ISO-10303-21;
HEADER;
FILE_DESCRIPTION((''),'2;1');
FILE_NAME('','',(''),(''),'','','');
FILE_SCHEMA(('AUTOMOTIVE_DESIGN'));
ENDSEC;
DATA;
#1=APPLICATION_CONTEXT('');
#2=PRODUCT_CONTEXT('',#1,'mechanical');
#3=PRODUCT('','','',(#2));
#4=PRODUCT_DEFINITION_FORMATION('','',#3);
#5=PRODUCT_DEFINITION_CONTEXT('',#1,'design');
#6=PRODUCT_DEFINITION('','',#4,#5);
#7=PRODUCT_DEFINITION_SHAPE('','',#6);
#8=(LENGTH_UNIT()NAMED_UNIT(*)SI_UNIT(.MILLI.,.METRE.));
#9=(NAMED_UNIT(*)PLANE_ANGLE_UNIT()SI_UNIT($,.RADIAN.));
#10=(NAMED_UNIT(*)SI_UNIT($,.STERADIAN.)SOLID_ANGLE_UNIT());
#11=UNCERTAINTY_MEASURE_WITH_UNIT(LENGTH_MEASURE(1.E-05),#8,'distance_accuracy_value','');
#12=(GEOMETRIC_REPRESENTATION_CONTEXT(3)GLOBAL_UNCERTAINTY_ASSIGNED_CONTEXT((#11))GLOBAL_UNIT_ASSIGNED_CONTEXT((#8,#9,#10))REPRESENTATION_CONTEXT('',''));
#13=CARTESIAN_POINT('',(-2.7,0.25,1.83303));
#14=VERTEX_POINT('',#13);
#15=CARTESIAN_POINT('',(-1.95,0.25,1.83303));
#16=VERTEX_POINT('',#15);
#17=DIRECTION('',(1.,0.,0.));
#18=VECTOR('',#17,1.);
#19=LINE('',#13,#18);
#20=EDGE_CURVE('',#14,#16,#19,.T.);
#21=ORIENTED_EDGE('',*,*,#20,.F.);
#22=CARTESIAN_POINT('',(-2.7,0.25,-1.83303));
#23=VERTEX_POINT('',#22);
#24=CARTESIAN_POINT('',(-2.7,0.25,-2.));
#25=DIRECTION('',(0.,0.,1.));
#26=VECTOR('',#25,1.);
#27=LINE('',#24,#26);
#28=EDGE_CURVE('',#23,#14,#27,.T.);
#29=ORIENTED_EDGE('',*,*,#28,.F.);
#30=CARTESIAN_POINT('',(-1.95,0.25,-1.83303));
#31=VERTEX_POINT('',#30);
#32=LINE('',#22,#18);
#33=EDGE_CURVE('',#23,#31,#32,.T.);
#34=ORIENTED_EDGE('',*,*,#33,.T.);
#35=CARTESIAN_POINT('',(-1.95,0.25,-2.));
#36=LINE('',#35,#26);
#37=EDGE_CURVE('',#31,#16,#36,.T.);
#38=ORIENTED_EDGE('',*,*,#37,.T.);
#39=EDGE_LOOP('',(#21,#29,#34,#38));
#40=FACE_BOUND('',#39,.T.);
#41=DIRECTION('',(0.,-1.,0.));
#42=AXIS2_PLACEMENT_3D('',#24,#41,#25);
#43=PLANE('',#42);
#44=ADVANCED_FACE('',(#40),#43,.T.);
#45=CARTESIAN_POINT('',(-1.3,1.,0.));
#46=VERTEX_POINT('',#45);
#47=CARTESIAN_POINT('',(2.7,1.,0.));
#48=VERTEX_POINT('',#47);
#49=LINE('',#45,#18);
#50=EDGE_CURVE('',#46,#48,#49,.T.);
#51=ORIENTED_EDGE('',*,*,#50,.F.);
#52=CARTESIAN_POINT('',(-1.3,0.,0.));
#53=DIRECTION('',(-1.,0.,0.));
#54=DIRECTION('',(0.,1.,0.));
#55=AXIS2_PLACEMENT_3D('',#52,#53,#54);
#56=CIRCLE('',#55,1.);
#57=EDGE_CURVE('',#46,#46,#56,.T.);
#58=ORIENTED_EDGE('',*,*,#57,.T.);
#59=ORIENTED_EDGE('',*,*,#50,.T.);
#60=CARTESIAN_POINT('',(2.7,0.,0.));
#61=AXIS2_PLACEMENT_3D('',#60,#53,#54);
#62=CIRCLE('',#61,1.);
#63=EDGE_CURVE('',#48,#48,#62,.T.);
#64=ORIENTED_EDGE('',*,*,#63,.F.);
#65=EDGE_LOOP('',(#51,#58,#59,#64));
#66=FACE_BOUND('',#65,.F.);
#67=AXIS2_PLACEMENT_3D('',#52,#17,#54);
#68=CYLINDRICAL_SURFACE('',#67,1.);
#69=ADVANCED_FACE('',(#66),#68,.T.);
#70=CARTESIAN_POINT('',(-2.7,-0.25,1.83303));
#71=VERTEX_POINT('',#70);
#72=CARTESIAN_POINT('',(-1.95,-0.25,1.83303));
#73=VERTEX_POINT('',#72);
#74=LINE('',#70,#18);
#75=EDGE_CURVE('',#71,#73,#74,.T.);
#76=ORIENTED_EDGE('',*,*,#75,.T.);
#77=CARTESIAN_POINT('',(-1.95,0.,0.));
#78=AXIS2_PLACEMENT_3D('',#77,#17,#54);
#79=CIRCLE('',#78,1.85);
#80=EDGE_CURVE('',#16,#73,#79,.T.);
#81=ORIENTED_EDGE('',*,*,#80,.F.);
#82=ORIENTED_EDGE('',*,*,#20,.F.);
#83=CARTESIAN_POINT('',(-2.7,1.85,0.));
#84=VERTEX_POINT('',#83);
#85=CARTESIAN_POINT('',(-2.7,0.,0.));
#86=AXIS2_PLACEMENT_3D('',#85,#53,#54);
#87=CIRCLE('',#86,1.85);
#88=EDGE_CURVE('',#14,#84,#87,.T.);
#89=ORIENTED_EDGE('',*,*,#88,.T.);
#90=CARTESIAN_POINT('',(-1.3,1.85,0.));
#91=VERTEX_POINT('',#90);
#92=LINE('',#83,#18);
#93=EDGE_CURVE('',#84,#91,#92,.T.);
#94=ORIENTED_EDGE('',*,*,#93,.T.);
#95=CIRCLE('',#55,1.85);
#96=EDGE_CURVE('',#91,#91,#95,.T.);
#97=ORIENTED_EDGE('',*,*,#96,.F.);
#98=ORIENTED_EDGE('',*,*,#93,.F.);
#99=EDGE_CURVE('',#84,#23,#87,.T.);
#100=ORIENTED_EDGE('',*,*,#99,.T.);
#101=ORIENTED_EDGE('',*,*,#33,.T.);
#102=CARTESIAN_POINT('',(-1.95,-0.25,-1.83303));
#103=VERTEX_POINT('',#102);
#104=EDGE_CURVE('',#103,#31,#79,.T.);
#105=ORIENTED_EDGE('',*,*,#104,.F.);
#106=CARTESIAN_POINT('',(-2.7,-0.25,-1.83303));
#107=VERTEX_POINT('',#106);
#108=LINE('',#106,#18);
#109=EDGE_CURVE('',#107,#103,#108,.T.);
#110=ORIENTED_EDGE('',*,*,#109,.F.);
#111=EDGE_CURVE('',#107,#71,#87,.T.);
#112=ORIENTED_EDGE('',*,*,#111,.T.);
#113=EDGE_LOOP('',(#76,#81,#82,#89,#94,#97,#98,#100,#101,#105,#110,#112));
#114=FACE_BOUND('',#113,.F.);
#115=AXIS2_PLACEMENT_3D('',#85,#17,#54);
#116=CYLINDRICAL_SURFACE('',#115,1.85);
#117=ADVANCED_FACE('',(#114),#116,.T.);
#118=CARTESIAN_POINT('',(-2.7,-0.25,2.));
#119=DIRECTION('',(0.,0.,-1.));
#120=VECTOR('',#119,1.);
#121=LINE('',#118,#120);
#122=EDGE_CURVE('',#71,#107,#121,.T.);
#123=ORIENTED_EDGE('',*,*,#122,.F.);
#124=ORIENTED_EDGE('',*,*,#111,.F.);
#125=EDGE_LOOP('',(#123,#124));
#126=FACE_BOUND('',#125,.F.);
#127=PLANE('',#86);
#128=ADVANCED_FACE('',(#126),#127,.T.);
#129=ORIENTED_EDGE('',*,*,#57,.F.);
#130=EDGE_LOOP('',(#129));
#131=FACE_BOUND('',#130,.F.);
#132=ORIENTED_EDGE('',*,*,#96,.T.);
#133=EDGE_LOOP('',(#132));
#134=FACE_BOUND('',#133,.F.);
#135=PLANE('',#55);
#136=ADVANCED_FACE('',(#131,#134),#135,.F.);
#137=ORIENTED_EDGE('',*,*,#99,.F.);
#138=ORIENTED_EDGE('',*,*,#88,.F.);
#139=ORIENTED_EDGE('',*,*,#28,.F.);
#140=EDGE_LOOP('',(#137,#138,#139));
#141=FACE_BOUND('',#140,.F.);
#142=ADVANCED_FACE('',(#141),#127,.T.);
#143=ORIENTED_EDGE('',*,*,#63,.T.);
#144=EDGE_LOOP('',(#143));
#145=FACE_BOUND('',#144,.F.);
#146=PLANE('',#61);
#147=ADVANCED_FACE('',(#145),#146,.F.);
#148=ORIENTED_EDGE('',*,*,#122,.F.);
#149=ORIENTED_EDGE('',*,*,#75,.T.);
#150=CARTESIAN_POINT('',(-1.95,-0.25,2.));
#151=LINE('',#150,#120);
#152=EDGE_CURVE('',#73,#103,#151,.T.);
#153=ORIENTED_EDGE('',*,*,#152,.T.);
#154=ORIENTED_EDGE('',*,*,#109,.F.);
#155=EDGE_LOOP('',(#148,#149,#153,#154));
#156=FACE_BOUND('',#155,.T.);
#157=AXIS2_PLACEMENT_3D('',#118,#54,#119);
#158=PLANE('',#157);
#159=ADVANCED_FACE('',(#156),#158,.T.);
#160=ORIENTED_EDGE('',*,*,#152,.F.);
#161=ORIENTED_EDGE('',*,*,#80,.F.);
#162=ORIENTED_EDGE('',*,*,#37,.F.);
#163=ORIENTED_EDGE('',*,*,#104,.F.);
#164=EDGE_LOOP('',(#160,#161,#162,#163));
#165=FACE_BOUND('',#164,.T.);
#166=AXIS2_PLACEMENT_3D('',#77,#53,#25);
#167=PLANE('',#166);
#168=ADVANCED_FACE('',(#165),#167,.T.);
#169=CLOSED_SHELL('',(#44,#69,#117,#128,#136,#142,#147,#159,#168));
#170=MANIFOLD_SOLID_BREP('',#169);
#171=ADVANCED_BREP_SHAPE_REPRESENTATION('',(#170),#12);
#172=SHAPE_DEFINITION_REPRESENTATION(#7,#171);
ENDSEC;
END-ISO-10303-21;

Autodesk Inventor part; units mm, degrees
ref_plane "YZ Plane" through (0, 0, 0) normal (1, 0, 0) x (0, 1, 0)
ref_plane "XZ Plane" through (0, 0, 0) normal (0, 1, 0) x (-1, 0, 0)
ref_plane "XY Plane" through (0, 0, 0) normal (0, 0, 1) x (1, 0, 0)
sketch "Sketch1" plane through (0, 0, 0) normal (0, 0, 1) x (1, 0, 0)
  line L0 (0, 0) -> (-2.7, 0)
  line L1 (-2.7, 0) -> (-2.7, 1.85)
  line L2 (-2.7, 1.85) -> (-1.3, 1.85)
  line L3 (-1.3, 1.85) -> (-1.3, 1)
  line L4 (-1.3, 1) -> (2.7, 1)
  line L5 (2.7, 1) -> (2.7, 0)
  line L6 (2.7, 0) -> (0, 0)
  dimension "d0" = 1
  dimension "d1" = 4
  dimension "d2" = 1.4
  dimension "d3" = 1.85
revolve "Revolution1" add sketch "Sketch1" angle 360 about axis through (2.7, 0, 0) along (-1, 0, 0)
sketch "Sketch2" plane through (-2.7, 0, 0) normal (-1, 0, 0) x (0, 0, 1)
  line L0 (-2, 0.25) -> (2, 0.25)
  line L1 (2, 0.25) -> (2, -0.25)
  line L2 (2, -0.25) -> (-2, -0.25)
  line L3 (-2, -0.25) -> (-2, 0.25)
  point P0 (0, 0)
  point P1 (-2, 0)
  point P2 (0, 0.25)
  dimension "d5" = 0.5
  dimension "d6" = 4
extrude "Extrusion1" cut sketch "Sketch2" against normal blind 0.75
properties part number "M2x4"
